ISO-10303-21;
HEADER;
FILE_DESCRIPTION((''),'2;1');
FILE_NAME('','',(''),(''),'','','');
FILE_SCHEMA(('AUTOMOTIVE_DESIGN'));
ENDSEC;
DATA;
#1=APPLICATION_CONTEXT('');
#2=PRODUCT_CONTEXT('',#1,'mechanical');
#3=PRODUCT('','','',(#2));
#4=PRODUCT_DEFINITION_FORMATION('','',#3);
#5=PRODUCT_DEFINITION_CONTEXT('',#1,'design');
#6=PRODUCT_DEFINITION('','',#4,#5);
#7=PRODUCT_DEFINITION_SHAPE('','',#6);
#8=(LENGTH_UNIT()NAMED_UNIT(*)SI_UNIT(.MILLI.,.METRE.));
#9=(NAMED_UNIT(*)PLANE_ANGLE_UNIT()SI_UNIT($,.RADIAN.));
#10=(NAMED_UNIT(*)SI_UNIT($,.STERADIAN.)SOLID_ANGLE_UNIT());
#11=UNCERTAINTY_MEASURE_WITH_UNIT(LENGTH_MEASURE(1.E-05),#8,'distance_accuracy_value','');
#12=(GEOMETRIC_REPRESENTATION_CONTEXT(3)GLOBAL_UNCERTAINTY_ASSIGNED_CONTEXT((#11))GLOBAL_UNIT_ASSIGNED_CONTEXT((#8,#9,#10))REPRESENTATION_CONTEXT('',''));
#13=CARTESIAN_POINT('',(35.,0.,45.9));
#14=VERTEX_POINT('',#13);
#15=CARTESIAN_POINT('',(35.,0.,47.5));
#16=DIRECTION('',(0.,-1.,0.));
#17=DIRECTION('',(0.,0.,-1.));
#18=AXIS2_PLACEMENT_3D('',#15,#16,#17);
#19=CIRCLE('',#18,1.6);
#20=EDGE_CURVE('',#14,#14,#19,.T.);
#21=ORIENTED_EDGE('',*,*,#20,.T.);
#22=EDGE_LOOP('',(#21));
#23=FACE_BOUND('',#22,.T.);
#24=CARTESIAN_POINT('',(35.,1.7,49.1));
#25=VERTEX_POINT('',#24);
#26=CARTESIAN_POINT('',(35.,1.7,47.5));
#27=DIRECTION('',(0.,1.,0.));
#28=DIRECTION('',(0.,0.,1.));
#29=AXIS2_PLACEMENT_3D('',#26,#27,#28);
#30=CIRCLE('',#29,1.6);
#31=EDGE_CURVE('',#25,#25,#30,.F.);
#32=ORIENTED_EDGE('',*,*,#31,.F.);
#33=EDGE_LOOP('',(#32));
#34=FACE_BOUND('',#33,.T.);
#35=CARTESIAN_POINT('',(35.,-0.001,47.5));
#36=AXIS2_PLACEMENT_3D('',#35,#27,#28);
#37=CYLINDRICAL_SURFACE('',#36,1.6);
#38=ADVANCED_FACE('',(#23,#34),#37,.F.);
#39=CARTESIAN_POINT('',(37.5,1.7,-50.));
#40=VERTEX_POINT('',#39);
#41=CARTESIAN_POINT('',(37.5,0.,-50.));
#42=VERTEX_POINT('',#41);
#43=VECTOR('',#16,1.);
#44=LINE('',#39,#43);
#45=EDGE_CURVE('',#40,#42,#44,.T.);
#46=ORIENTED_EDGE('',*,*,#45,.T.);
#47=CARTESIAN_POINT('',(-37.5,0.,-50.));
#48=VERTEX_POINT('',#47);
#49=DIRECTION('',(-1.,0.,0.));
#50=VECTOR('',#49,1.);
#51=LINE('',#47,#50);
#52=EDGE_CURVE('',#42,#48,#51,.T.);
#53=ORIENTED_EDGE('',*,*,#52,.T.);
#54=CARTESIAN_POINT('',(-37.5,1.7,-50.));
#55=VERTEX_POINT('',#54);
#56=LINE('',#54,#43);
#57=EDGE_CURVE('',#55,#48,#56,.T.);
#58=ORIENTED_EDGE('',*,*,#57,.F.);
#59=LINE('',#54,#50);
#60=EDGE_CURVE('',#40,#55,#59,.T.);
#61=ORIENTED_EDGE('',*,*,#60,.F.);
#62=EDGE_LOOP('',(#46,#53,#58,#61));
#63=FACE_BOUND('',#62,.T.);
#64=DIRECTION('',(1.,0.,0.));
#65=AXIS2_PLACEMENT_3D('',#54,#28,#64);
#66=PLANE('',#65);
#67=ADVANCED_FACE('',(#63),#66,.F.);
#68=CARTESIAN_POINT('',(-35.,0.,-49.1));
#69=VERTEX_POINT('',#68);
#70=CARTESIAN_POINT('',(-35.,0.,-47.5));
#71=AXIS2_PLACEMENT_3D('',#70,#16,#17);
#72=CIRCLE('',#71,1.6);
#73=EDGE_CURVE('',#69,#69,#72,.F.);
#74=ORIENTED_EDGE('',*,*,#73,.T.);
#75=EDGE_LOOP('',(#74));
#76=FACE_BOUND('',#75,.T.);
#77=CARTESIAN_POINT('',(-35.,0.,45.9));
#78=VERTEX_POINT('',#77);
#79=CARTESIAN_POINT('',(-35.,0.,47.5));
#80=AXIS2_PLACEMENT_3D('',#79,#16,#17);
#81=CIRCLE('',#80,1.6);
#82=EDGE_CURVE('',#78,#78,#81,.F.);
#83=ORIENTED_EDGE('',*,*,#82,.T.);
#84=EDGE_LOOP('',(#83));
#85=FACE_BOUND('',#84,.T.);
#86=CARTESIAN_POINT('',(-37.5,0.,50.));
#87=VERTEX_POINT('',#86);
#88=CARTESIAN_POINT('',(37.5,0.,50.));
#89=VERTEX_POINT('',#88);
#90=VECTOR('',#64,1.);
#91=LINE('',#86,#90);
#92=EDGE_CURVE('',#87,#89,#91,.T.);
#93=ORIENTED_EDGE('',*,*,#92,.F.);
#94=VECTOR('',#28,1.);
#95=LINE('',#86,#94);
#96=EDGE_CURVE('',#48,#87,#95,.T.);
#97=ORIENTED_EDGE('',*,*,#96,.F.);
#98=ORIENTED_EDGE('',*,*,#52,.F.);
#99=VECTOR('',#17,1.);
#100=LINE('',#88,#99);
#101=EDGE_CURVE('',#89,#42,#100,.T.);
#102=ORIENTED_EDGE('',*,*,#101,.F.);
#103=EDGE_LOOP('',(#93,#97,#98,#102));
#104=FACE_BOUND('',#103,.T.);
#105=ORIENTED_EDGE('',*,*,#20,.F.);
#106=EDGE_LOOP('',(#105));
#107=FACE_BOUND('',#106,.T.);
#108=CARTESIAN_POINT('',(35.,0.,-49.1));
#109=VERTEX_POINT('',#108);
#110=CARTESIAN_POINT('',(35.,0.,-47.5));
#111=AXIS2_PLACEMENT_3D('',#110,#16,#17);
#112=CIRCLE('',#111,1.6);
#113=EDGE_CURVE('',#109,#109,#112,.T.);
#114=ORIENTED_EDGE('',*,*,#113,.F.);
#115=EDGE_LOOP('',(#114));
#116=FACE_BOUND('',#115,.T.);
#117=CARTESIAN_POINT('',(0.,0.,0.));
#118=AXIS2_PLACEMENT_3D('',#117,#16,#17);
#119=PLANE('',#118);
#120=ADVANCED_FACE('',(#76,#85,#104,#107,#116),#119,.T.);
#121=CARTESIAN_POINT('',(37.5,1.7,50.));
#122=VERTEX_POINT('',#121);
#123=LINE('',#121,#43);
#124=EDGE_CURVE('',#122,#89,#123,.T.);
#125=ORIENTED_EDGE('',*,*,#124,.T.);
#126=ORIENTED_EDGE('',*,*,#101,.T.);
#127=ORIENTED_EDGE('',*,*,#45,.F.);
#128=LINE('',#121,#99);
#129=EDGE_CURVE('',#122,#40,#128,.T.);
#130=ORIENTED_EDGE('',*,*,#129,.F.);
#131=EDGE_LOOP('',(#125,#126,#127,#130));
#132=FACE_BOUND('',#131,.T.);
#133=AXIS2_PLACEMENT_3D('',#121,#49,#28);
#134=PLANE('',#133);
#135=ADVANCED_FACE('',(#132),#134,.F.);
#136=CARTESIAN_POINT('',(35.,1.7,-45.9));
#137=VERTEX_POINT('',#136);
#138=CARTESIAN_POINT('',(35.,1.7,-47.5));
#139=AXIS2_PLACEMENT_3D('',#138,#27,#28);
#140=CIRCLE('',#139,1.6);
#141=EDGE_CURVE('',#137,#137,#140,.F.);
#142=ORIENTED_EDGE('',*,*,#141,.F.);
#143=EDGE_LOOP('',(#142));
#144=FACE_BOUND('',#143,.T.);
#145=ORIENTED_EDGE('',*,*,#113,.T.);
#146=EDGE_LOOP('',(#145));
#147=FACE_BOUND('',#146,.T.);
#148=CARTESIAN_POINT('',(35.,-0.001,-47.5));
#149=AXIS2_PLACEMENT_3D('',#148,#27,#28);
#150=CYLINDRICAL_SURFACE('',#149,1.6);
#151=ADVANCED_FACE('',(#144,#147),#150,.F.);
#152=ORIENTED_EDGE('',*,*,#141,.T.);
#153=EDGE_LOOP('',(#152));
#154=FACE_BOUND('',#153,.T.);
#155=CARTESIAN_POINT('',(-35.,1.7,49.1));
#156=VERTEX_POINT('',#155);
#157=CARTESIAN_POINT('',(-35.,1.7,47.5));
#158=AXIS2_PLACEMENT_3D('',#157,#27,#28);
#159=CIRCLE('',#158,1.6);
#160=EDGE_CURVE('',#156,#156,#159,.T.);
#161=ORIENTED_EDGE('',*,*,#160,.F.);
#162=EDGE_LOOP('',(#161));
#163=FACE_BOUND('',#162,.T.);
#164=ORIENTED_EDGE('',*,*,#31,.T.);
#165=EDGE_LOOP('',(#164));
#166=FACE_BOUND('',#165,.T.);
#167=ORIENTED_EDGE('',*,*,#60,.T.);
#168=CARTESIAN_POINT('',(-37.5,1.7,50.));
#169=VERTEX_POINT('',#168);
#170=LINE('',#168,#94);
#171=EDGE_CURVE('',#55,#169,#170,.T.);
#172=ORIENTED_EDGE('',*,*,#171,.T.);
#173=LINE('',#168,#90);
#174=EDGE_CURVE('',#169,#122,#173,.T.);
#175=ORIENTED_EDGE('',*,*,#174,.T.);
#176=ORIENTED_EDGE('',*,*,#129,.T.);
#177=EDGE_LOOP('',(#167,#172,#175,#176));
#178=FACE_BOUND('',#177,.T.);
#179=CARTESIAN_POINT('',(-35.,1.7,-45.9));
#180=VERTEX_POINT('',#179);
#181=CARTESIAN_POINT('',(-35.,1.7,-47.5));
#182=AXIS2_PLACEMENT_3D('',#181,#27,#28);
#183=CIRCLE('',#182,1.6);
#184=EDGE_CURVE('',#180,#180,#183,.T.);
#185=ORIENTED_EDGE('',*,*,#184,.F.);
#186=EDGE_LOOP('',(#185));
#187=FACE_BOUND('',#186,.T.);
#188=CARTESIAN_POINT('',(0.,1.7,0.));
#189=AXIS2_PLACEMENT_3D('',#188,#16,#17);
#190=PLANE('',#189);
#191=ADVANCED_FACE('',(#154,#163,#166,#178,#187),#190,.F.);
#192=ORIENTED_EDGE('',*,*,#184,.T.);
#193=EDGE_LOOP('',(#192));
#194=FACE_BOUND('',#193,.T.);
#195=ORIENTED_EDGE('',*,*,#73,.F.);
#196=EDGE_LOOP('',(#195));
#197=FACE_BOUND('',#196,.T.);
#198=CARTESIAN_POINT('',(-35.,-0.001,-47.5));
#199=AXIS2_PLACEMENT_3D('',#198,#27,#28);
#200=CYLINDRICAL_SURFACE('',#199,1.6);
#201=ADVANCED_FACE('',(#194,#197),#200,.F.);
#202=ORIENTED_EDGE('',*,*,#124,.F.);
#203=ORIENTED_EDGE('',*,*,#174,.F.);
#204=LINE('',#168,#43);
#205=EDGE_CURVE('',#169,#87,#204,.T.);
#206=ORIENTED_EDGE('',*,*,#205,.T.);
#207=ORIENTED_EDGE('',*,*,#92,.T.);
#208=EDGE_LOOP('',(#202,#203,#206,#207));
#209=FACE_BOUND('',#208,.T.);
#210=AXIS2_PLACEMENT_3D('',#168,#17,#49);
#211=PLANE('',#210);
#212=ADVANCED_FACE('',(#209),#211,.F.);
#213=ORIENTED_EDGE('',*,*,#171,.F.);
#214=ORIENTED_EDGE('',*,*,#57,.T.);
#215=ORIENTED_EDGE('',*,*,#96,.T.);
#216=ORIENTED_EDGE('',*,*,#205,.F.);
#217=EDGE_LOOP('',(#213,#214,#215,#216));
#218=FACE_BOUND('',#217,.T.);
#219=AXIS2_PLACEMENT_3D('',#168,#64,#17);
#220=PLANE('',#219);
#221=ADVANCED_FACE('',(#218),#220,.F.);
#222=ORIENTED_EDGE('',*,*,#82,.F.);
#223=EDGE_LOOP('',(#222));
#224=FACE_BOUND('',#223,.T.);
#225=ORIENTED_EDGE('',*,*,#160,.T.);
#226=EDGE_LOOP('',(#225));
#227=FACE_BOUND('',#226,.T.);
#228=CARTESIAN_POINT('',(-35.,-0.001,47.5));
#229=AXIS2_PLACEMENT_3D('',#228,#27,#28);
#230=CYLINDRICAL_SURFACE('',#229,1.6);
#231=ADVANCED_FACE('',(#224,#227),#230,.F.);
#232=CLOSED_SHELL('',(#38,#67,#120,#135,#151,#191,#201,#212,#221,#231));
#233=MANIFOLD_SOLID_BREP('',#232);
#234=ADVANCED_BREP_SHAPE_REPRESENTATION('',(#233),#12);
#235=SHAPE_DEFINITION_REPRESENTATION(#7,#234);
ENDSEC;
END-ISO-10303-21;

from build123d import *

# Parameters (mm, degrees)
SKETCH1_W           = 75
SKETCH1_H           = 100
BOSS_EXTRUDE1_DEPTH = 1.7
CUT_EXTRUDE1_REACH  = 64.523


with BuildPart() as part:
    # Sketch1 → Boss-Extrude1 (new body)
    with BuildSketch(Plane(origin=(0, 0, 0), x_dir=(1, 0, 0), z_dir=(0, 1, 0))):
        Rectangle(SKETCH1_W, SKETCH1_H)
    extrude(amount=BOSS_EXTRUDE1_DEPTH)

    # Sketch2 → Cut-Extrude1 (cut, up to next)
    with BuildSketch(Plane(origin=(0, 1.7, 0), x_dir=(1, 0, 0), z_dir=(0, 1, 0)), mode=Mode.PRIVATE) as cut_extrude1_sk1:
        with BuildLine():
            ThreePointArc((-33.4, 47.5), (-36.13137085, 48.63137085), (-35, 45.9))
            Line((-35, 45.9), (-35, 47.5))
            Line((-35, 47.5), (-33.4, 47.5))
        make_face()
    cut_extrude1_tool1 = extrude(cut_extrude1_sk1.sketch, amount=-CUT_EXTRUDE1_REACH, mode=Mode.PRIVATE) & part.part
    # Sketch2 → Cut-Extrude1 (cut, up to next)
    with BuildSketch(Plane(origin=(0, 1.7, 0), x_dir=(1, 0, 0), z_dir=(0, 1, 0)), mode=Mode.PRIVATE) as cut_extrude1_sk2:
        with BuildLine():
            Line((-35, 47.5), (-35, 45.9))
            ThreePointArc((-35, 45.9), (-33.86862915, 46.36862915), (-33.4, 47.5))
            Line((-33.4, 47.5), (-35, 47.5))
        make_face()
    cut_extrude1_tool2 = extrude(cut_extrude1_sk2.sketch, amount=-CUT_EXTRUDE1_REACH, mode=Mode.PRIVATE) & part.part
    # Sketch2 → Cut-Extrude1 (cut, up to next)
    with BuildSketch(Plane(origin=(0, 1.7, 0), x_dir=(1, 0, 0), z_dir=(0, 1, 0)), mode=Mode.PRIVATE) as cut_extrude1_sk3:
        with BuildLine():
            ThreePointArc((-33.4, 47.5), (-36.13137085, 48.63137085), (-35, 45.9))
            Line((-35, 45.9), (-35, 47.5))
            Line((-35, 47.5), (-33.4, 47.5))
        make_face()
    cut_extrude1_tool3 = extrude(cut_extrude1_sk3.sketch, amount=-CUT_EXTRUDE1_REACH, mode=Mode.PRIVATE) & part.part
    # Sketch2 → Cut-Extrude1 (cut, up to next)
    with BuildSketch(Plane(origin=(0, 1.7, 0), x_dir=(1, 0, 0), z_dir=(0, 1, 0)), mode=Mode.PRIVATE) as cut_extrude1_sk4:
        with BuildLine():
            Line((-35, 47.5), (-35, 45.9))
            ThreePointArc((-35, 45.9), (-33.86862915, 46.36862915), (-33.4, 47.5))
            Line((-33.4, 47.5), (-35, 47.5))
        make_face()
    cut_extrude1_tool4 = extrude(cut_extrude1_sk4.sketch, amount=-CUT_EXTRUDE1_REACH, mode=Mode.PRIVATE) & part.part
    # Sketch2 → Cut-Extrude1 (cut, up to next)
    with BuildSketch(Plane(origin=(0, 1.7, 0), x_dir=(1, 0, 0), z_dir=(0, 1, 0)), mode=Mode.PRIVATE) as cut_extrude1_sk5:
        with BuildLine():
            ThreePointArc((33.4, 47.5), (33.86862915, 46.36862915), (35, 45.9))
            Line((35, 45.9), (35, 47.5))
            Line((35, 47.5), (33.4, 47.5))
        make_face()
    cut_extrude1_tool5 = extrude(cut_extrude1_sk5.sketch, amount=-CUT_EXTRUDE1_REACH, mode=Mode.PRIVATE) & part.part
    # Sketch2 → Cut-Extrude1 (cut, up to next)
    with BuildSketch(Plane(origin=(0, 1.7, 0), x_dir=(1, 0, 0), z_dir=(0, 1, 0)), mode=Mode.PRIVATE) as cut_extrude1_sk6:
        with BuildLine():
            Line((35, 47.5), (35, 45.9))
            ThreePointArc((35, 45.9), (36.13137085, 46.36862915), (36.6, 47.5))
            ThreePointArc((36.6, 47.5), (35, 49.1), (33.4, 47.5))
            Line((33.4, 47.5), (35, 47.5))
        make_face()
    cut_extrude1_tool6 = extrude(cut_extrude1_sk6.sketch, amount=-CUT_EXTRUDE1_REACH, mode=Mode.PRIVATE) & part.part
    # Sketch2 → Cut-Extrude1 (cut, up to next)
    with BuildSketch(Plane(origin=(0, 1.7, 0), x_dir=(1, 0, 0), z_dir=(0, 1, 0)), mode=Mode.PRIVATE) as cut_extrude1_sk7:
        with BuildLine():
            ThreePointArc((33.4, 47.5), (33.86862915, 46.36862915), (35, 45.9))
            Line((35, 45.9), (35, 47.5))
            Line((35, 47.5), (33.4, 47.5))
        make_face()
    cut_extrude1_tool7 = extrude(cut_extrude1_sk7.sketch, amount=-CUT_EXTRUDE1_REACH, mode=Mode.PRIVATE) & part.part
    # Sketch2 → Cut-Extrude1 (cut, up to next)
    with BuildSketch(Plane(origin=(0, 1.7, 0), x_dir=(1, 0, 0), z_dir=(0, 1, 0)), mode=Mode.PRIVATE) as cut_extrude1_sk8:
        with BuildLine():
            Line((35, 47.5), (35, 45.9))
            ThreePointArc((35, 45.9), (36.13137085, 46.36862915), (36.6, 47.5))
            ThreePointArc((36.6, 47.5), (35, 49.1), (33.4, 47.5))
            Line((33.4, 47.5), (35, 47.5))
        make_face()
    cut_extrude1_tool8 = extrude(cut_extrude1_sk8.sketch, amount=-CUT_EXTRUDE1_REACH, mode=Mode.PRIVATE) & part.part
    # Sketch2 → Cut-Extrude1 (cut, up to next)
    with BuildSketch(Plane(origin=(0, 1.7, 0), x_dir=(1, 0, 0), z_dir=(0, 1, 0)), mode=Mode.PRIVATE) as cut_extrude1_sk9:
        with BuildLine():
            Line((-35, -45.9), (-35, -47.5))
            Line((-35, -47.5), (-33.4, -47.5))
            ThreePointArc((-33.4, -47.5), (-33.86862915, -46.36862915), (-35, -45.9))
        make_face()
    cut_extrude1_tool9 = extrude(cut_extrude1_sk9.sketch, amount=-CUT_EXTRUDE1_REACH, mode=Mode.PRIVATE) & part.part
    # Sketch2 → Cut-Extrude1 (cut, up to next)
    with BuildSketch(Plane(origin=(0, 1.7, 0), x_dir=(1, 0, 0), z_dir=(0, 1, 0)), mode=Mode.PRIVATE) as cut_extrude1_sk10:
        with BuildLine():
            Line((-33.4, -47.5), (-35, -47.5))
            Line((-35, -47.5), (-35, -45.9))
            ThreePointArc((-35, -45.9), (-36.13137085, -48.63137085), (-33.4, -47.5))
        make_face()
    cut_extrude1_tool10 = extrude(cut_extrude1_sk10.sketch, amount=-CUT_EXTRUDE1_REACH, mode=Mode.PRIVATE) & part.part
    # Sketch2 → Cut-Extrude1 (cut, up to next)
    with BuildSketch(Plane(origin=(0, 1.7, 0), x_dir=(1, 0, 0), z_dir=(0, 1, 0)), mode=Mode.PRIVATE) as cut_extrude1_sk11:
        with BuildLine():
            Line((-35, -45.9), (-35, -47.5))
            Line((-35, -47.5), (-33.4, -47.5))
            ThreePointArc((-33.4, -47.5), (-33.86862915, -46.36862915), (-35, -45.9))
        make_face()
    cut_extrude1_tool11 = extrude(cut_extrude1_sk11.sketch, amount=-CUT_EXTRUDE1_REACH, mode=Mode.PRIVATE) & part.part
    # Sketch2 → Cut-Extrude1 (cut, up to next)
    with BuildSketch(Plane(origin=(0, 1.7, 0), x_dir=(1, 0, 0), z_dir=(0, 1, 0)), mode=Mode.PRIVATE) as cut_extrude1_sk12:
        with BuildLine():
            Line((-33.4, -47.5), (-35, -47.5))
            Line((-35, -47.5), (-35, -45.9))
            ThreePointArc((-35, -45.9), (-36.13137085, -48.63137085), (-33.4, -47.5))
        make_face()
    cut_extrude1_tool12 = extrude(cut_extrude1_sk12.sketch, amount=-CUT_EXTRUDE1_REACH, mode=Mode.PRIVATE) & part.part
    # Sketch2 → Cut-Extrude1 (cut, up to next)
    with BuildSketch(Plane(origin=(0, 1.7, 0), x_dir=(1, 0, 0), z_dir=(0, 1, 0)), mode=Mode.PRIVATE) as cut_extrude1_sk13:
        with BuildLine():
            ThreePointArc((35, -45.9), (33.86862915, -46.36862915), (33.4, -47.5))
            Line((33.4, -47.5), (35, -47.5))
            Line((35, -47.5), (35, -45.9))
        make_face()
    cut_extrude1_tool13 = extrude(cut_extrude1_sk13.sketch, amount=-CUT_EXTRUDE1_REACH, mode=Mode.PRIVATE) & part.part
    # Sketch2 → Cut-Extrude1 (cut, up to next)
    with BuildSketch(Plane(origin=(0, 1.7, 0), x_dir=(1, 0, 0), z_dir=(0, 1, 0)), mode=Mode.PRIVATE) as cut_extrude1_sk14:
        with BuildLine():
            Line((35, -47.5), (33.4, -47.5))
            ThreePointArc((33.4, -47.5), (35, -49.1), (36.6, -47.5))
            ThreePointArc((36.6, -47.5), (36.13137085, -46.36862915), (35, -45.9))
            Line((35, -45.9), (35, -47.5))
        make_face()
    cut_extrude1_tool14 = extrude(cut_extrude1_sk14.sketch, amount=-CUT_EXTRUDE1_REACH, mode=Mode.PRIVATE) & part.part
    # Sketch2 → Cut-Extrude1 (cut, up to next)
    with BuildSketch(Plane(origin=(0, 1.7, 0), x_dir=(1, 0, 0), z_dir=(0, 1, 0)), mode=Mode.PRIVATE) as cut_extrude1_sk15:
        with BuildLine():
            ThreePointArc((35, -45.9), (33.86862915, -46.36862915), (33.4, -47.5))
            Line((33.4, -47.5), (35, -47.5))
            Line((35, -47.5), (35, -45.9))
        make_face()
    cut_extrude1_tool15 = extrude(cut_extrude1_sk15.sketch, amount=-CUT_EXTRUDE1_REACH, mode=Mode.PRIVATE) & part.part
    # Sketch2 → Cut-Extrude1 (cut, up to next)
    with BuildSketch(Plane(origin=(0, 1.7, 0), x_dir=(1, 0, 0), z_dir=(0, 1, 0)), mode=Mode.PRIVATE) as cut_extrude1_sk16:
        with BuildLine():
            Line((35, -47.5), (33.4, -47.5))
            ThreePointArc((33.4, -47.5), (35, -49.1), (36.6, -47.5))
            ThreePointArc((36.6, -47.5), (36.13137085, -46.36862915), (35, -45.9))
            Line((35, -45.9), (35, -47.5))
        make_face()
    cut_extrude1_tool16 = extrude(cut_extrude1_sk16.sketch, amount=-CUT_EXTRUDE1_REACH, mode=Mode.PRIVATE) & part.part
    add(cut_extrude1_tool1.solids().sort_by_distance((-35.226354, 1.7, -47.726354))[0], mode=Mode.SUBTRACT)
    add(cut_extrude1_tool2.solids().sort_by_distance((-34.320939, 1.7, -46.820939))[0], mode=Mode.SUBTRACT)
    add(cut_extrude1_tool3.solids().sort_by_distance((-35.226354, 1.7, -47.726354))[0], mode=Mode.SUBTRACT)
    add(cut_extrude1_tool4.solids().sort_by_distance((-34.320939, 1.7, -46.820939))[0], mode=Mode.SUBTRACT)
    add(cut_extrude1_tool5.solids().sort_by_distance((34.320939, 1.7, -46.820939))[0], mode=Mode.SUBTRACT)
    add(cut_extrude1_tool6.solids().sort_by_distance((35.226354, 1.7, -47.726354))[0], mode=Mode.SUBTRACT)
    add(cut_extrude1_tool7.solids().sort_by_distance((34.320939, 1.7, -46.820939))[0], mode=Mode.SUBTRACT)
    add(cut_extrude1_tool8.solids().sort_by_distance((35.226354, 1.7, -47.726354))[0], mode=Mode.SUBTRACT)
    add(cut_extrude1_tool9.solids().sort_by_distance((-34.320939, 1.7, 46.820939))[0], mode=Mode.SUBTRACT)
    add(cut_extrude1_tool10.solids().sort_by_distance((-35.226354, 1.7, 47.726354))[0], mode=Mode.SUBTRACT)
    add(cut_extrude1_tool11.solids().sort_by_distance((-34.320939, 1.7, 46.820939))[0], mode=Mode.SUBTRACT)
    add(cut_extrude1_tool12.solids().sort_by_distance((-35.226354, 1.7, 47.726354))[0], mode=Mode.SUBTRACT)
    add(cut_extrude1_tool13.solids().sort_by_distance((34.320939, 1.7, 46.820939))[0], mode=Mode.SUBTRACT)
    add(cut_extrude1_tool14.solids().sort_by_distance((35.226354, 1.7, 47.726354))[0], mode=Mode.SUBTRACT)
    add(cut_extrude1_tool15.solids().sort_by_distance((34.320939, 1.7, 46.820939))[0], mode=Mode.SUBTRACT)
    add(cut_extrude1_tool16.solids().sort_by_distance((35.226354, 1.7, 47.726354))[0], mode=Mode.SUBTRACT)


solid = part.part
